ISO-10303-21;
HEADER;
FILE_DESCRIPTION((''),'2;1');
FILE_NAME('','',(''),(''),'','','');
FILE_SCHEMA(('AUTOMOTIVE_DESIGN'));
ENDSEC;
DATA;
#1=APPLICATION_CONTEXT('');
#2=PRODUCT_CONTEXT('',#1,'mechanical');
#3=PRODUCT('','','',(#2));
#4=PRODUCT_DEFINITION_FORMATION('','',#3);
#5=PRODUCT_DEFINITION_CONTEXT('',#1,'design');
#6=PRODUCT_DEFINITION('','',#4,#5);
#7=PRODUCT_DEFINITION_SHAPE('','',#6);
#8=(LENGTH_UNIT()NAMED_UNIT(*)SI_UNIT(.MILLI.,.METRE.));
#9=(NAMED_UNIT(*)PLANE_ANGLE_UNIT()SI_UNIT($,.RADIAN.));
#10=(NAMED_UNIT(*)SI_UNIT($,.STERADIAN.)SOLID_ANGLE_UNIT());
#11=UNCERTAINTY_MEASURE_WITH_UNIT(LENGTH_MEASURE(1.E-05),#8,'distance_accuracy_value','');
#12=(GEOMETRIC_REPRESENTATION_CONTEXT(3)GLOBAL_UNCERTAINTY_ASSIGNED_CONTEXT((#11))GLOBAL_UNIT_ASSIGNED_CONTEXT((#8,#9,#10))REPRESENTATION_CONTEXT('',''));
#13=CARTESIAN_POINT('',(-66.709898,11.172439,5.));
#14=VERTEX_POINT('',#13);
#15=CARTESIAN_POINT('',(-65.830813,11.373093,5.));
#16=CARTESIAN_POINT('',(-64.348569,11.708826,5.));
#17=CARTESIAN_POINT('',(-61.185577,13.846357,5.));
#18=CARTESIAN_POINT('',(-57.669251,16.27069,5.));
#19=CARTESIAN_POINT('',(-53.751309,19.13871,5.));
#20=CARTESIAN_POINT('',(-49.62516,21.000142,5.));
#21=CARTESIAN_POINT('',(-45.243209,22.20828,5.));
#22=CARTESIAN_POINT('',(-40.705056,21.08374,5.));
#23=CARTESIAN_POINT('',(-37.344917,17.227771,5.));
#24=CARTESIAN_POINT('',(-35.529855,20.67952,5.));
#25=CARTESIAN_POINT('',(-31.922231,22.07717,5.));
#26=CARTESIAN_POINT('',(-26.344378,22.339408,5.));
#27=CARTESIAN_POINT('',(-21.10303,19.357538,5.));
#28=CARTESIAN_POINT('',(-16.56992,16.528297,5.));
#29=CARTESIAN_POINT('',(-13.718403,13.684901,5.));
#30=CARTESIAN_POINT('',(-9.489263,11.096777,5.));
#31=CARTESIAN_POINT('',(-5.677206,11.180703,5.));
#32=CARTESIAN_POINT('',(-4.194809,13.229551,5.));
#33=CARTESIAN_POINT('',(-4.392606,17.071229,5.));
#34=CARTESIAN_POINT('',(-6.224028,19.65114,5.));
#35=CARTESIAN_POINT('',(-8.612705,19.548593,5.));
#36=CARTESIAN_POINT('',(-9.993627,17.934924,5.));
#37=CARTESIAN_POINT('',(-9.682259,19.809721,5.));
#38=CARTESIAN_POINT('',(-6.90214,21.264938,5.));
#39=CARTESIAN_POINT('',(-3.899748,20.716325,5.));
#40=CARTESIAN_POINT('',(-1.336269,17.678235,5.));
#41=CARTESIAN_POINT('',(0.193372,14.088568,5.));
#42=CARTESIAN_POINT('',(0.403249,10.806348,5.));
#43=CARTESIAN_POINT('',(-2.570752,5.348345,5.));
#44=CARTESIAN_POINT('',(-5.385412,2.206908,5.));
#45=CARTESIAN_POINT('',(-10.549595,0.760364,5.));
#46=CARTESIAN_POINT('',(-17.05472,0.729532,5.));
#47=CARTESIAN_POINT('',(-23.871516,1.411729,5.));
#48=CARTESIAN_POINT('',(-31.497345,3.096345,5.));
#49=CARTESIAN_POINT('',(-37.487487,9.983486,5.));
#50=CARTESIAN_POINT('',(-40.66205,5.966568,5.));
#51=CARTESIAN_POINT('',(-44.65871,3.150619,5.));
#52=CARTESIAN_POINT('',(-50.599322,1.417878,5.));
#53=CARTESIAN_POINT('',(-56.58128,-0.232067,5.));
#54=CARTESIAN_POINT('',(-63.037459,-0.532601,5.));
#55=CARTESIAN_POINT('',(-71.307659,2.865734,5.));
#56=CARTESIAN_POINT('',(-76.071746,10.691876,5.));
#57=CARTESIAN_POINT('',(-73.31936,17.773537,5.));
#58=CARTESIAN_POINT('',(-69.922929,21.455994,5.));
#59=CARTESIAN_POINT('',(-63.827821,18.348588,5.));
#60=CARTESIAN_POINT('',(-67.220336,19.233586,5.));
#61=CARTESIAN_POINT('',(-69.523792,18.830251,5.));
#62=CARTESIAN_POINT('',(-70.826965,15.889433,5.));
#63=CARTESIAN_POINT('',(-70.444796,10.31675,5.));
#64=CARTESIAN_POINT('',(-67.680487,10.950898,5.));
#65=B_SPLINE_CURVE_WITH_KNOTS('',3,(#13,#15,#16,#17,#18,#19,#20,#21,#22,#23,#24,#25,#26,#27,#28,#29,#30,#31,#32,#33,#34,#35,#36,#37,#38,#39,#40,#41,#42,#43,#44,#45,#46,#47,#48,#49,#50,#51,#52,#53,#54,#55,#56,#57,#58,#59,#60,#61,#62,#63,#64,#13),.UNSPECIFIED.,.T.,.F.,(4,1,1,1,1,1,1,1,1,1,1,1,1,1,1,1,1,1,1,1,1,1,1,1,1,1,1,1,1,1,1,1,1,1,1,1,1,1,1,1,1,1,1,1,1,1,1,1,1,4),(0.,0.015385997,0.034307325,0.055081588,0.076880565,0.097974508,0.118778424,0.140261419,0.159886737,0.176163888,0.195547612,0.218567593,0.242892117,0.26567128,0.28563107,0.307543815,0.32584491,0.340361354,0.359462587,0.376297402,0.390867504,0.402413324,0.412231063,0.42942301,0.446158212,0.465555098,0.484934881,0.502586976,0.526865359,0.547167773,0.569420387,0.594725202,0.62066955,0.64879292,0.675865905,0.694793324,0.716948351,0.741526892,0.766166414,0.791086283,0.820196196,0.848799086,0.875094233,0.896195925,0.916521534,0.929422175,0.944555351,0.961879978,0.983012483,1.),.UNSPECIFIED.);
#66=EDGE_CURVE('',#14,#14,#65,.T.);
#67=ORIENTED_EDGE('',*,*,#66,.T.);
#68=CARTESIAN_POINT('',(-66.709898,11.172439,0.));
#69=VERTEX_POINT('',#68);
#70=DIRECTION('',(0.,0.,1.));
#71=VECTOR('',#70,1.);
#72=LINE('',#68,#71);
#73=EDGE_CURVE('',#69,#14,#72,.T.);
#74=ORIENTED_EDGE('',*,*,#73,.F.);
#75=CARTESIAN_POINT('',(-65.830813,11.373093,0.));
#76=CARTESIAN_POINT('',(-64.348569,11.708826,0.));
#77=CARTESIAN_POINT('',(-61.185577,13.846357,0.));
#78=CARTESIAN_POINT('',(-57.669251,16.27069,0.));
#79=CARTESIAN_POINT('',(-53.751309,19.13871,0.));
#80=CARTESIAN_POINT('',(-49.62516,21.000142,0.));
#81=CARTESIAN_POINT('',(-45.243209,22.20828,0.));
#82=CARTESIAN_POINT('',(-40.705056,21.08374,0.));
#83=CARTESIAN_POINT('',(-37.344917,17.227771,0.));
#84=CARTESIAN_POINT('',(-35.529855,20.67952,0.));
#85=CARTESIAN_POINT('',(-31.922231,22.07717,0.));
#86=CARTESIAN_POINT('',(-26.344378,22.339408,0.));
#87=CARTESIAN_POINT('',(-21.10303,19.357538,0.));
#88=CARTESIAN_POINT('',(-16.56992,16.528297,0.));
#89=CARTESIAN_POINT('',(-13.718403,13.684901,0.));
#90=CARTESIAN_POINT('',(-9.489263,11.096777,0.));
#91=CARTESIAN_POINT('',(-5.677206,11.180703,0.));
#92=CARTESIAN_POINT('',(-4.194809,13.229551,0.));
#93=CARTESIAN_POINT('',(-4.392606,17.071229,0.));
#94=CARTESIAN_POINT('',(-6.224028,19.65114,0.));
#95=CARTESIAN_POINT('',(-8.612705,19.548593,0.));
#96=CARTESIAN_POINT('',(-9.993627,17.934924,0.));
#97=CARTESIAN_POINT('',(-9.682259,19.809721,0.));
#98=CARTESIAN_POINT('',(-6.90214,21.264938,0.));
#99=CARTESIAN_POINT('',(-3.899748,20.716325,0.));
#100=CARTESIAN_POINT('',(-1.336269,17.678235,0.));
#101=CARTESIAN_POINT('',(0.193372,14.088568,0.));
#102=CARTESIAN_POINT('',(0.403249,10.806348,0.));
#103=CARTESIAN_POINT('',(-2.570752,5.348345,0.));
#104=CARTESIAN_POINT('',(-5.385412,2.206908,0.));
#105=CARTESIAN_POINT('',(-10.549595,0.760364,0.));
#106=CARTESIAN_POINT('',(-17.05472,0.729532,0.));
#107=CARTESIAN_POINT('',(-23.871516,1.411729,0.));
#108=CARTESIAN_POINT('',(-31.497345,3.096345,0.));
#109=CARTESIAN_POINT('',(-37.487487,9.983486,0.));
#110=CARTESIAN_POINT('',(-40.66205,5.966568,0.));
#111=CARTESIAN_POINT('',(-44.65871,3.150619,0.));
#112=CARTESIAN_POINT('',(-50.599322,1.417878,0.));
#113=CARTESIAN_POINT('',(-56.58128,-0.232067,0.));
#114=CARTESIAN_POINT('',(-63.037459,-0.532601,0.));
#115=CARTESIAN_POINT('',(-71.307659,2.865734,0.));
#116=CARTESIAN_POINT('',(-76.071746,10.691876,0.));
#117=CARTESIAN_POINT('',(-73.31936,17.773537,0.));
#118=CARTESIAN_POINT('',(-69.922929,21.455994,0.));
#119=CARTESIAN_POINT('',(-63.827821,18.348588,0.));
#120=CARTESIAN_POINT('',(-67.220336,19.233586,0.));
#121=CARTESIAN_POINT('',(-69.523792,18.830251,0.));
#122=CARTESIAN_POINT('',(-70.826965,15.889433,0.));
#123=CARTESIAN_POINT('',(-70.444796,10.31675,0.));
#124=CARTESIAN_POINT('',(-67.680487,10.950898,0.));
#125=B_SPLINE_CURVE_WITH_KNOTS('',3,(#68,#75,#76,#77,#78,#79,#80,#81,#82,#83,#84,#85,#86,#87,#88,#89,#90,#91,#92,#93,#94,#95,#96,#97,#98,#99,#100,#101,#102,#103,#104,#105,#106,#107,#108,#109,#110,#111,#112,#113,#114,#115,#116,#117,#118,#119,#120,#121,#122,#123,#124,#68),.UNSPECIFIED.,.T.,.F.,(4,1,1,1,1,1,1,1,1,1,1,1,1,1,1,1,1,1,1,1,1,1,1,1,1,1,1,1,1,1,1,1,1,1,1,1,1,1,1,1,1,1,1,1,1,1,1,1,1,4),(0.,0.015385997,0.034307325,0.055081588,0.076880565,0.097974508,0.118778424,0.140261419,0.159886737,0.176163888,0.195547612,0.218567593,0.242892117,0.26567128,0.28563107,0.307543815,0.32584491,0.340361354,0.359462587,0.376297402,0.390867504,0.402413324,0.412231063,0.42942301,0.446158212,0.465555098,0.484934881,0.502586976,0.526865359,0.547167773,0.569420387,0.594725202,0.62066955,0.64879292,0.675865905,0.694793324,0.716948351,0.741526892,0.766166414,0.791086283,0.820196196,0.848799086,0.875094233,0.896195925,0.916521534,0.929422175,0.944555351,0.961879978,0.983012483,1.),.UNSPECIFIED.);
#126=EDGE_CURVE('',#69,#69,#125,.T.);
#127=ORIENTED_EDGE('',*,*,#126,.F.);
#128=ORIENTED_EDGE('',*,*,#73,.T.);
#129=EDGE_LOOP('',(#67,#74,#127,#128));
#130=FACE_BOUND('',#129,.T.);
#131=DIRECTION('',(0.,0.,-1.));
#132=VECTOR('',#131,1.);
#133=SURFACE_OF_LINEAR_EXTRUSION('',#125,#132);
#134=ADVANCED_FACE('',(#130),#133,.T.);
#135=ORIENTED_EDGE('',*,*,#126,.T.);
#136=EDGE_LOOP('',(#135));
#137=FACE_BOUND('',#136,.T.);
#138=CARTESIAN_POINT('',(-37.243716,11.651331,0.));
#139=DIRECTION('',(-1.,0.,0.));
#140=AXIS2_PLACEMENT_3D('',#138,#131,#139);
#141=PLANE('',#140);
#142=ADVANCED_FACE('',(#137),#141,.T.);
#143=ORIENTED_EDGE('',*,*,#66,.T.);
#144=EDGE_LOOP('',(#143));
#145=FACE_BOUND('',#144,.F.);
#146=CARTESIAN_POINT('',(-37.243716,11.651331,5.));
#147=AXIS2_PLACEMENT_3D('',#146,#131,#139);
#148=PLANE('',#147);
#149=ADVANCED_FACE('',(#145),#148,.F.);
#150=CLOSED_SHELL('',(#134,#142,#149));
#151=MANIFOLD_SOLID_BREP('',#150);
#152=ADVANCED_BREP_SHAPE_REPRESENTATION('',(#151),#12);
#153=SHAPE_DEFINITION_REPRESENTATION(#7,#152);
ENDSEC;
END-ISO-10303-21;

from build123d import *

# Parameters (mm, degrees)
F1_DEPTH = 5


with BuildPart() as f1:
    # F0 (on Top) → F1 (new body)
    with BuildSketch(Plane.XY):
        with BuildLine():
            add(Edge.make_bspline(
                [(-66.7098984122, 11.1724389717), (-65.8308132346, 11.373093474), (-64.348568556, 11.7088259091), (-61.1855770353, 13.8463568601), (-57.6692512556, 16.2706903937), (-53.7513085766, 19.138709934), (-49.6251598789, 21.0001424111), (-45.2432094196, 22.2082797479), (-40.7050559463, 21.0837399295), (-37.3449172628, 17.2277710804), (-35.5298547099, 20.6795201763), (-31.9222308009, 22.0771699246), (-26.3443784285, 22.3394081819), (-21.1030304117, 19.3575379142), (-16.5699195215, 16.528296618), (-13.7184031355, 13.6849011769), (-9.4892629395, 11.0967765984), (-5.6772061435, 11.180702846), (-4.1948086442, 13.2295505781), (-4.3926058165, 17.0712292834), (-6.2240277279, 19.6511396914), (-8.6127047695, 19.5485934284), (-9.9936271917, 17.9349238142), (-9.6822585163, 19.8097212913), (-6.9021400163, 21.2649377928), (-3.8997475421, 20.7163245716), (-1.3362689435, 17.678234556), (0.1933717235, 14.0885676009), (0.4032488925, 10.806348261), (-2.5707522003, 5.3483454868), (-5.3854115842, 2.2069082574), (-10.5495951578, 0.7603638779), (-17.0547199267, 0.7295317724), (-23.871515525, 1.411729084), (-31.4973447561, 3.0963450514), (-37.4874872341, 9.9834862617), (-40.6620495027, 5.9665675754), (-44.6587100083, 3.1506191763), (-50.599322365, 1.4178775597), (-56.5812797994, -0.2320674479), (-63.037459363, -0.5326010293), (-71.3076590649, 2.8657339423), (-76.0717455506, 10.6918760487), (-73.3193596598, 17.7735368957), (-69.9229293905, 21.4559936496), (-63.8278214475, 18.3485884199), (-67.2203359883, 19.2335862945), (-69.5237922801, 18.8302508539), (-70.8269650356, 15.8894327469), (-70.444795763, 10.3167504569), (-67.6804871058, 10.9508984473), (-66.7098984122, 11.1724389717)],
                knots=[0, 0, 0, 0, 0.0153859971, 0.0343073249, 0.0550815883, 0.0768805654, 0.097974508, 0.1187784243, 0.1402614192, 0.1598867369, 0.1761638884, 0.195547612, 0.2185675929, 0.2428921171, 0.2656712799, 0.2856310702, 0.3075438151, 0.3258449102, 0.340361354, 0.3594625869, 0.3762974015, 0.3908675037, 0.4024133244, 0.4122310629, 0.4294230096, 0.4461582123, 0.4655550976, 0.4849348814, 0.502586976, 0.526865359, 0.5471677733, 0.5694203873, 0.5947252017, 0.6206695502, 0.6487929202, 0.6758659052, 0.694793324, 0.7169483508, 0.7415268924, 0.7661664142, 0.7910862827, 0.8201961957, 0.8487990857, 0.8750942333, 0.8961959251, 0.9165215339, 0.9294221748, 0.9445553508, 0.9618799781, 0.9830124826, 1, 1, 1, 1], degree=3))
        make_face()
    extrude(amount=F1_DEPTH)


solid = f1.part
